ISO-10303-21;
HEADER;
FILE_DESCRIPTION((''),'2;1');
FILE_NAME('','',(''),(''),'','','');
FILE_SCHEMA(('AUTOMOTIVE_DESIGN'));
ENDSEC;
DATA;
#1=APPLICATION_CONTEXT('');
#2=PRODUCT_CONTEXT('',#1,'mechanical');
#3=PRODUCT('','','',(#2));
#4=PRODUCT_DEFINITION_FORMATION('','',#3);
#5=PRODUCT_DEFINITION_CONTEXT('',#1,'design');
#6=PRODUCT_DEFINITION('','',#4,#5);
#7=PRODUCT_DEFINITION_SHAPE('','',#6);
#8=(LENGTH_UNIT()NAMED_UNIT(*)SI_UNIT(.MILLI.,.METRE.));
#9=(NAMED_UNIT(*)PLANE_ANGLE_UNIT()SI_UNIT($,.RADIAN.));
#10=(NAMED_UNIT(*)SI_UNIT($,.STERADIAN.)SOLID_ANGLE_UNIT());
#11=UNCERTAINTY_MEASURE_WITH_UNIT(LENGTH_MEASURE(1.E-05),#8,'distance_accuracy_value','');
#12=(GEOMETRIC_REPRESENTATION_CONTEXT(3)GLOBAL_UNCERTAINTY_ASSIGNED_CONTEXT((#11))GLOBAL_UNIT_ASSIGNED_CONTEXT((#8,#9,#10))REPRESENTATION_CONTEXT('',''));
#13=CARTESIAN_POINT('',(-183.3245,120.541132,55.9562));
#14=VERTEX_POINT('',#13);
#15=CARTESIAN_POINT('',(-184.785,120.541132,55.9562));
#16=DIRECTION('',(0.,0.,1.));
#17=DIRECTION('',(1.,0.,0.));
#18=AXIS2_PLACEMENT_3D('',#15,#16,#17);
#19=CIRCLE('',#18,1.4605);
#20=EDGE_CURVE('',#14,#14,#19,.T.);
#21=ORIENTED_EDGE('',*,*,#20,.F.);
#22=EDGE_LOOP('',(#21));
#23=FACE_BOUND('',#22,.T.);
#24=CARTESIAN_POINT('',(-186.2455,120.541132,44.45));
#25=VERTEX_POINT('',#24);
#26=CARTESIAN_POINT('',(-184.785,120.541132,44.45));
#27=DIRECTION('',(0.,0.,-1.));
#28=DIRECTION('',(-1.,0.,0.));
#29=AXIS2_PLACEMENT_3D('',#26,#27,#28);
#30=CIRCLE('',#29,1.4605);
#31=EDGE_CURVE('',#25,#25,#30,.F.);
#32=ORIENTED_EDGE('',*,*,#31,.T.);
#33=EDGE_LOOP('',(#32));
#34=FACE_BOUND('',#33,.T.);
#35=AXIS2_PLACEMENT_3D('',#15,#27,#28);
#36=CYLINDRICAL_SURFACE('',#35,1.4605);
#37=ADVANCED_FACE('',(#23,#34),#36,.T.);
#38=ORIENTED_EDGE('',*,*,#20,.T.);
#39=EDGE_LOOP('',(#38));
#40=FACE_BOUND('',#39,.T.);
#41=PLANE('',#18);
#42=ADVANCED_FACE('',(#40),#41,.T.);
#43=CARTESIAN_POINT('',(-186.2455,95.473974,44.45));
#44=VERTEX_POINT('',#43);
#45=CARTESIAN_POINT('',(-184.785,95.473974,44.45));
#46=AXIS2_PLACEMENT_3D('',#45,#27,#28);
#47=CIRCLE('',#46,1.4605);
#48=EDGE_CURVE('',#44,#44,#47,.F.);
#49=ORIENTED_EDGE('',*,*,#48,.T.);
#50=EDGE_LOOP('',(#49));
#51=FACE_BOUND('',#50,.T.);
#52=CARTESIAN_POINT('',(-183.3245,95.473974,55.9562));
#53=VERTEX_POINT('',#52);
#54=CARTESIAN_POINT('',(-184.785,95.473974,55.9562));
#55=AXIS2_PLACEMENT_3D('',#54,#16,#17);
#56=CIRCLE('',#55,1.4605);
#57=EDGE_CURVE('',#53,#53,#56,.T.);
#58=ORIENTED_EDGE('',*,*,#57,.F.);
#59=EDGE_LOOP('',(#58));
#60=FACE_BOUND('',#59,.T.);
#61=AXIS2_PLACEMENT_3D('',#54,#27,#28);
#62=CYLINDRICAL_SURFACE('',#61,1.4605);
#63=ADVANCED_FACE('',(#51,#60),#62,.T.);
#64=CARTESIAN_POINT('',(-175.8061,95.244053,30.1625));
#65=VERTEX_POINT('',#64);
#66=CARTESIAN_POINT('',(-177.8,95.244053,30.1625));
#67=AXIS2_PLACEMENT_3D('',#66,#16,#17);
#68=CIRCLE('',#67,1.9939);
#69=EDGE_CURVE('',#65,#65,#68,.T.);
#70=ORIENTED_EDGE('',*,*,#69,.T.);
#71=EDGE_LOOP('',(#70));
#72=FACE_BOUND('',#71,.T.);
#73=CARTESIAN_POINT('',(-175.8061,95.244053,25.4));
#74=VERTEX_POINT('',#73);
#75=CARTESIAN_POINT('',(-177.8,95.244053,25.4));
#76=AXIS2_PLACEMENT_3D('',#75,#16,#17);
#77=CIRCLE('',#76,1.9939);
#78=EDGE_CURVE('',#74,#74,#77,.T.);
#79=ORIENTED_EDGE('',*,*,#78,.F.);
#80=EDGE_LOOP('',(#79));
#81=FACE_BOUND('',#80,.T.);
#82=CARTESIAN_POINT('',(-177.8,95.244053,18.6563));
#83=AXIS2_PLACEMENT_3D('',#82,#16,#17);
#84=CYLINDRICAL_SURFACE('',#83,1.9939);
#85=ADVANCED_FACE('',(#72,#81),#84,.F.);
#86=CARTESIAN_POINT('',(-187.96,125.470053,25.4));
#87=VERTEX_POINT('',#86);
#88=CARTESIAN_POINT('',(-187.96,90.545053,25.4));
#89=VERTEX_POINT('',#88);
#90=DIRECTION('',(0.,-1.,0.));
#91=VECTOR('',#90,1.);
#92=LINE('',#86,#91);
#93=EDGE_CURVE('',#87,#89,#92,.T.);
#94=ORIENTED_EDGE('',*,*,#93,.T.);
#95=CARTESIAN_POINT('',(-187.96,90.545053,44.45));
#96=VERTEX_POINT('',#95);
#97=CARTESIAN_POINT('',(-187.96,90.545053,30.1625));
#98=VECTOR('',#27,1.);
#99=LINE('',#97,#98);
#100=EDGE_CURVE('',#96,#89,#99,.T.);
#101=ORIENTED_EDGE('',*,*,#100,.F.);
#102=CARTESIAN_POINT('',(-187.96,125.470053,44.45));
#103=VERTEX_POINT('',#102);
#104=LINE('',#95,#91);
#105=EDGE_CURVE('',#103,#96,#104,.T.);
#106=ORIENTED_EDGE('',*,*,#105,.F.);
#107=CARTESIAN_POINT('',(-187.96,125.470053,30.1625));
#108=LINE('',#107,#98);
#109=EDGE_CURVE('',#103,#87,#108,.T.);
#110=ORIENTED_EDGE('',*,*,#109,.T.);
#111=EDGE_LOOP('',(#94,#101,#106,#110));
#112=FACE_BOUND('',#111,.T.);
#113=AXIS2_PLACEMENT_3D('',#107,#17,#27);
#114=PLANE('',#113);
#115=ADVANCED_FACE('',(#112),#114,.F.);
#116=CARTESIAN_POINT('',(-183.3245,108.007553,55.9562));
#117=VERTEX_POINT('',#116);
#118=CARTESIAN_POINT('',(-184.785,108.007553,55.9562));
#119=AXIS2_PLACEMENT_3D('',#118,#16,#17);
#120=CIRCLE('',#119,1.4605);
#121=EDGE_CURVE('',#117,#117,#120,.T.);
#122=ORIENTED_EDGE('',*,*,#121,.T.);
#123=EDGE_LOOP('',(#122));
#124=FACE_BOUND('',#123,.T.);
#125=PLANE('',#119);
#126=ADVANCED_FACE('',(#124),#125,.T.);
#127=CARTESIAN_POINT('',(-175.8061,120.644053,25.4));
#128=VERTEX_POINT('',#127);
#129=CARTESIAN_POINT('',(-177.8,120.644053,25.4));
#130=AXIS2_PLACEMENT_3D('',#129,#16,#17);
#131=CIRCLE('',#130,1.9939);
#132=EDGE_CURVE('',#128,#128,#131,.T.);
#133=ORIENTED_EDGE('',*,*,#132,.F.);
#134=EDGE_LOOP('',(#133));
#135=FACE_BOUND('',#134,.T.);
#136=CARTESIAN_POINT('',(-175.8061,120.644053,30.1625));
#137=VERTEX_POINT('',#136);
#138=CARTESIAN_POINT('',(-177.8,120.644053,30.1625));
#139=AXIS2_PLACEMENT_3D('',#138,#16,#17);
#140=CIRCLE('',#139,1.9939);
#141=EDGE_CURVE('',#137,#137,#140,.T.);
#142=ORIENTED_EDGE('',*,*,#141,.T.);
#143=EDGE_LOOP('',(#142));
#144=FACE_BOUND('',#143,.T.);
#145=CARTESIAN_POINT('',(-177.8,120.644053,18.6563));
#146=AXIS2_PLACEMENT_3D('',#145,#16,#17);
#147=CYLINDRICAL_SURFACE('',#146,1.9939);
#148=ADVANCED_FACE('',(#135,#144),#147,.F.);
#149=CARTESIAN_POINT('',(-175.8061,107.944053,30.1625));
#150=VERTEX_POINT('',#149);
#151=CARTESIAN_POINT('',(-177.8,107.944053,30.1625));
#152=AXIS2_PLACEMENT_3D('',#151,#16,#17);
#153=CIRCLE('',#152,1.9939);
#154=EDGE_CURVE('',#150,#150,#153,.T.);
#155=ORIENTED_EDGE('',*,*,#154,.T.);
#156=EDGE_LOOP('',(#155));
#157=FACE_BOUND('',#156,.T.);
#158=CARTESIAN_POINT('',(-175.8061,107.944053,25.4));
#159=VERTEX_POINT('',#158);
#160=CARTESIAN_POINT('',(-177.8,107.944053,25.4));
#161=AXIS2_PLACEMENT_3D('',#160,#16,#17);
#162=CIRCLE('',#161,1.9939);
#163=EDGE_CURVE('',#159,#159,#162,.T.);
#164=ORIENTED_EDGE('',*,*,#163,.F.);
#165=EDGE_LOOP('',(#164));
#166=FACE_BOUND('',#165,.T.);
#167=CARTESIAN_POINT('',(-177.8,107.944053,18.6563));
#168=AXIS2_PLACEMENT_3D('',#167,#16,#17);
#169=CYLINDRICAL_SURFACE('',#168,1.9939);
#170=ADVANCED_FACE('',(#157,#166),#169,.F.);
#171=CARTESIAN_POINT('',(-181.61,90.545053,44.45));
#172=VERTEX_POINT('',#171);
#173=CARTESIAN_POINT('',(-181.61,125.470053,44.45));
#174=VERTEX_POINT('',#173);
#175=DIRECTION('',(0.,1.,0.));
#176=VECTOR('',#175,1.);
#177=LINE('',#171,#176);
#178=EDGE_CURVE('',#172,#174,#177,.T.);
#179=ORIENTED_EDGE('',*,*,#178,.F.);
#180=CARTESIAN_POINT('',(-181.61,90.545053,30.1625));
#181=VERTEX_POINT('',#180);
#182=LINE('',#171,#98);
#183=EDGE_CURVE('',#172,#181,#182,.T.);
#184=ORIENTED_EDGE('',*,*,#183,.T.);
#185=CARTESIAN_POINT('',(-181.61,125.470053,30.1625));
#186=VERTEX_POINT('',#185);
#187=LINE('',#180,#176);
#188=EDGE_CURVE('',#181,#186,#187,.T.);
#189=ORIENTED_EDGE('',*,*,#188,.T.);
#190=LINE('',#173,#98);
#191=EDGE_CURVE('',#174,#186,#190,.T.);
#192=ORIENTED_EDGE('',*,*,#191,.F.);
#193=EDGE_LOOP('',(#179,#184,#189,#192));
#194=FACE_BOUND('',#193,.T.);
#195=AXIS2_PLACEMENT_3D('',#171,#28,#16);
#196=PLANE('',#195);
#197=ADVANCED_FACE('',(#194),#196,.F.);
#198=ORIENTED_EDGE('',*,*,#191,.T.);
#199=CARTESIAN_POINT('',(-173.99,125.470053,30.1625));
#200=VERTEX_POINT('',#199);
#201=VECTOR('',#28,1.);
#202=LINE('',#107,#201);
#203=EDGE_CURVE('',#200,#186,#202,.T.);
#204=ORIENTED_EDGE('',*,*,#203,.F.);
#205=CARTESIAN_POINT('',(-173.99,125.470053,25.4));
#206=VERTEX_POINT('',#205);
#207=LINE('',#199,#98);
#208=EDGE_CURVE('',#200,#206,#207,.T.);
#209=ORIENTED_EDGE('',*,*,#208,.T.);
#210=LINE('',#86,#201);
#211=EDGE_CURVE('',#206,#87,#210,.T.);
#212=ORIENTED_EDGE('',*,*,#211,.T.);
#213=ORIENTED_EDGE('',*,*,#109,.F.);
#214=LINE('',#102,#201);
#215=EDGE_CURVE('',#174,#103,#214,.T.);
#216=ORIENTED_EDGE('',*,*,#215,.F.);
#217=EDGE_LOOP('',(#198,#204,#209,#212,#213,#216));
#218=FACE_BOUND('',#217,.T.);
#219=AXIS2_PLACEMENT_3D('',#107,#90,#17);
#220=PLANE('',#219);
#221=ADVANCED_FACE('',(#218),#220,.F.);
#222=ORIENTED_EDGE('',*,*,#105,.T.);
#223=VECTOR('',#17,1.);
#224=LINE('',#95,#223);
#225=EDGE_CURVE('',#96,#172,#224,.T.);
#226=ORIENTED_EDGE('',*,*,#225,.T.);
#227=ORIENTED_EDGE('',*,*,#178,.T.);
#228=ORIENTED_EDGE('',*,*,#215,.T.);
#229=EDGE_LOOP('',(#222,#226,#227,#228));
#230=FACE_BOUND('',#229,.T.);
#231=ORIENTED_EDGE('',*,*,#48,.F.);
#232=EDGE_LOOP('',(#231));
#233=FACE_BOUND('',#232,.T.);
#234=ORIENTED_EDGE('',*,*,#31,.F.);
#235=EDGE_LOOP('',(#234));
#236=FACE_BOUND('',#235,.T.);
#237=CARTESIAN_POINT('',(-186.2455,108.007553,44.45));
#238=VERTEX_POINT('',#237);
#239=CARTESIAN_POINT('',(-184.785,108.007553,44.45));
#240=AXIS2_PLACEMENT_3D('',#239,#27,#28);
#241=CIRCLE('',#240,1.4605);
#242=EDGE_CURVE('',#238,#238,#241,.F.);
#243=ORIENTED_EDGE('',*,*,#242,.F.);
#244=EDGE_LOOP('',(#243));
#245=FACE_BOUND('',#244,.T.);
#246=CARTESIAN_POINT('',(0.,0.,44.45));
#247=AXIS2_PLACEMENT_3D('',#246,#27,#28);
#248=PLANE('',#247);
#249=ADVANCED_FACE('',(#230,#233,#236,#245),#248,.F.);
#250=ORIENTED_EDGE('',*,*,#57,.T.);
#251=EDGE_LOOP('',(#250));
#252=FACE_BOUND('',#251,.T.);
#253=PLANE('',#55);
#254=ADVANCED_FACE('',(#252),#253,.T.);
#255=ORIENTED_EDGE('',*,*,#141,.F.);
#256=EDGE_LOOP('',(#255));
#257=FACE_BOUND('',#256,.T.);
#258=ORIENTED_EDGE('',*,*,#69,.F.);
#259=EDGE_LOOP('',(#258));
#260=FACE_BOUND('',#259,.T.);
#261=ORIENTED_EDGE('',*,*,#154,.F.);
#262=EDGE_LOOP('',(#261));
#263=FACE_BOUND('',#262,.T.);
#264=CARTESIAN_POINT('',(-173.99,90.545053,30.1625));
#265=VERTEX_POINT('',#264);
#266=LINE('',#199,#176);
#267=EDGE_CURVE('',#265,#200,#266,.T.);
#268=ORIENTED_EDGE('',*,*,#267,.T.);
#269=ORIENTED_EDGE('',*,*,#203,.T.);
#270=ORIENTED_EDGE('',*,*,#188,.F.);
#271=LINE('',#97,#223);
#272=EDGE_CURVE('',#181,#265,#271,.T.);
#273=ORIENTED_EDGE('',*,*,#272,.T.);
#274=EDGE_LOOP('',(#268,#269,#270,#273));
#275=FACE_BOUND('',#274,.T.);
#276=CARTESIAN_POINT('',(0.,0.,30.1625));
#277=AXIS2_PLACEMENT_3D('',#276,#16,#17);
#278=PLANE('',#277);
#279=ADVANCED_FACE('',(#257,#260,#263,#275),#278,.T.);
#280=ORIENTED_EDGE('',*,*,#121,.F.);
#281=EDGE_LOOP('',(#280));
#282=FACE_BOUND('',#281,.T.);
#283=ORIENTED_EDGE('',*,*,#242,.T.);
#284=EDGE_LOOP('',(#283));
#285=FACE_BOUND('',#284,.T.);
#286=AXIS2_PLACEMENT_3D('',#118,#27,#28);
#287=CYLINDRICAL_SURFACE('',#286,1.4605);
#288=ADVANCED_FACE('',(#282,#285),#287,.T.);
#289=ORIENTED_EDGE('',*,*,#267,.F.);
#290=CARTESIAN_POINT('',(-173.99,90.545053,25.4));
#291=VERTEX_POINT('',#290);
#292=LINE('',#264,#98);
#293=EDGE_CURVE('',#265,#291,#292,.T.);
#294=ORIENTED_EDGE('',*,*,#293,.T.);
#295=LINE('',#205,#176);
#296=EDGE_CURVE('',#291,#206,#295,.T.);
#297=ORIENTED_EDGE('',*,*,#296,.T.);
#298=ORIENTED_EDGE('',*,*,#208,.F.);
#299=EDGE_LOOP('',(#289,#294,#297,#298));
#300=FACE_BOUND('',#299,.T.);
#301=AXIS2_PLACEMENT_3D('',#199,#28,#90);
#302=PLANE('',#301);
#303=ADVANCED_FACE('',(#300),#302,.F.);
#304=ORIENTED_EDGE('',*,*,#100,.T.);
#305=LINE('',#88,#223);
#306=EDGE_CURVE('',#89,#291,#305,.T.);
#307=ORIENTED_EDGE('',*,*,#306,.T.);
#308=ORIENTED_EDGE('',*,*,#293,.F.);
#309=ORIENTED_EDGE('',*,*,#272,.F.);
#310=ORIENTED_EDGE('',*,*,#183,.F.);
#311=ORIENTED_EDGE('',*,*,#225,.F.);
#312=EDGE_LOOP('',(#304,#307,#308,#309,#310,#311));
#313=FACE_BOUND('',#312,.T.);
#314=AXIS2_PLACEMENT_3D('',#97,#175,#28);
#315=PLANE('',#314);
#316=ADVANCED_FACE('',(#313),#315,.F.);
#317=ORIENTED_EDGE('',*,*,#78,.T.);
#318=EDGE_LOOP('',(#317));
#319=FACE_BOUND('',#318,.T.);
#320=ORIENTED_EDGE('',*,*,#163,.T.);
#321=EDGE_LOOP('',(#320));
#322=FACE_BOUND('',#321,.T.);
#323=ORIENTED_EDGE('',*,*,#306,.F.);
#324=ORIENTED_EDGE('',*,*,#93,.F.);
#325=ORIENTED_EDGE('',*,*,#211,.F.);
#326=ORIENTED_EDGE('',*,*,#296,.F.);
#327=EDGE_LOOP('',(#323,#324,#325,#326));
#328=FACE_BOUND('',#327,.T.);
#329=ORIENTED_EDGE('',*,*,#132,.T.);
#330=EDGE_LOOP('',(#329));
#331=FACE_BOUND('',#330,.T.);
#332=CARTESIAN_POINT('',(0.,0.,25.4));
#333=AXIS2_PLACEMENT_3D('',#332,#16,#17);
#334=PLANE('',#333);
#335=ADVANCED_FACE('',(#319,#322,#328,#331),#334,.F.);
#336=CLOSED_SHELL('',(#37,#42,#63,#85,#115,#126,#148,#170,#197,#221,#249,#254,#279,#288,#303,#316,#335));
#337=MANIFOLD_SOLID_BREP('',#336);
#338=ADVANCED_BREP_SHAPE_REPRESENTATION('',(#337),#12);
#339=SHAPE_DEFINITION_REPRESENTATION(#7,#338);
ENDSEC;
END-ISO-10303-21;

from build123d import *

# Parameters (mm, degrees)
SKETCH1_W           = 13.97
SKETCH1_H           = 34.925
BOSS_EXTRUDE1_DEPTH = 4.7625
SKETCH2_W           = 6.35
SKETCH2_H           = 34.925
BOSS_EXTRUDE2_DEPTH = 14.2875
SKETCH3_R           = 1.4605
BOSS_EXTRUDE3_DEPTH = 11.5062
SKETCH4_R           = 1.9939
CUT_EXTRUDE1_DEPTH  = 11.5062


with BuildPart() as part:
    # Sketch1 → Boss-Extrude1 (new body)
    with BuildSketch(Plane.XY.offset(25.4)):
        with Locations((-180.974999938, 108.007553269)):
            Rectangle(SKETCH1_W, SKETCH1_H)
    extrude(amount=BOSS_EXTRUDE1_DEPTH)

    # Sketch2 → Boss-Extrude2 (add)
    with BuildSketch(Plane.XY.offset(30.1625)):
        with Locations((-184.784999938, 108.007553269)):
            Rectangle(SKETCH2_W, SKETCH2_H)
    extrude(amount=BOSS_EXTRUDE2_DEPTH)

    # Sketch3 → Boss-Extrude3 (add)
    with BuildSketch(Plane.XY.offset(44.45)):
        with Locations((-184.784999938, 120.541132469)):
            Circle(SKETCH3_R)
        with Locations((-184.784999938, 108.007553269)):
            Circle(SKETCH3_R)
        with Locations((-184.784999938, 95.473974069)):
            Circle(SKETCH3_R)
    extrude(amount=BOSS_EXTRUDE3_DEPTH)

    # Sketch4 → Cut-Extrude1 (cut)
    with BuildSketch(Plane.XY.offset(30.1625)):
        with Locations((-177.799999938, 95.244053269)):
            Circle(SKETCH4_R)
        with Locations((-177.799999938, 107.944053269)):
            Circle(SKETCH4_R)
        with Locations((-177.799999938, 120.644053269)):
            Circle(SKETCH4_R)
    extrude(amount=-CUT_EXTRUDE1_DEPTH, mode=Mode.SUBTRACT)


solid = part.part
